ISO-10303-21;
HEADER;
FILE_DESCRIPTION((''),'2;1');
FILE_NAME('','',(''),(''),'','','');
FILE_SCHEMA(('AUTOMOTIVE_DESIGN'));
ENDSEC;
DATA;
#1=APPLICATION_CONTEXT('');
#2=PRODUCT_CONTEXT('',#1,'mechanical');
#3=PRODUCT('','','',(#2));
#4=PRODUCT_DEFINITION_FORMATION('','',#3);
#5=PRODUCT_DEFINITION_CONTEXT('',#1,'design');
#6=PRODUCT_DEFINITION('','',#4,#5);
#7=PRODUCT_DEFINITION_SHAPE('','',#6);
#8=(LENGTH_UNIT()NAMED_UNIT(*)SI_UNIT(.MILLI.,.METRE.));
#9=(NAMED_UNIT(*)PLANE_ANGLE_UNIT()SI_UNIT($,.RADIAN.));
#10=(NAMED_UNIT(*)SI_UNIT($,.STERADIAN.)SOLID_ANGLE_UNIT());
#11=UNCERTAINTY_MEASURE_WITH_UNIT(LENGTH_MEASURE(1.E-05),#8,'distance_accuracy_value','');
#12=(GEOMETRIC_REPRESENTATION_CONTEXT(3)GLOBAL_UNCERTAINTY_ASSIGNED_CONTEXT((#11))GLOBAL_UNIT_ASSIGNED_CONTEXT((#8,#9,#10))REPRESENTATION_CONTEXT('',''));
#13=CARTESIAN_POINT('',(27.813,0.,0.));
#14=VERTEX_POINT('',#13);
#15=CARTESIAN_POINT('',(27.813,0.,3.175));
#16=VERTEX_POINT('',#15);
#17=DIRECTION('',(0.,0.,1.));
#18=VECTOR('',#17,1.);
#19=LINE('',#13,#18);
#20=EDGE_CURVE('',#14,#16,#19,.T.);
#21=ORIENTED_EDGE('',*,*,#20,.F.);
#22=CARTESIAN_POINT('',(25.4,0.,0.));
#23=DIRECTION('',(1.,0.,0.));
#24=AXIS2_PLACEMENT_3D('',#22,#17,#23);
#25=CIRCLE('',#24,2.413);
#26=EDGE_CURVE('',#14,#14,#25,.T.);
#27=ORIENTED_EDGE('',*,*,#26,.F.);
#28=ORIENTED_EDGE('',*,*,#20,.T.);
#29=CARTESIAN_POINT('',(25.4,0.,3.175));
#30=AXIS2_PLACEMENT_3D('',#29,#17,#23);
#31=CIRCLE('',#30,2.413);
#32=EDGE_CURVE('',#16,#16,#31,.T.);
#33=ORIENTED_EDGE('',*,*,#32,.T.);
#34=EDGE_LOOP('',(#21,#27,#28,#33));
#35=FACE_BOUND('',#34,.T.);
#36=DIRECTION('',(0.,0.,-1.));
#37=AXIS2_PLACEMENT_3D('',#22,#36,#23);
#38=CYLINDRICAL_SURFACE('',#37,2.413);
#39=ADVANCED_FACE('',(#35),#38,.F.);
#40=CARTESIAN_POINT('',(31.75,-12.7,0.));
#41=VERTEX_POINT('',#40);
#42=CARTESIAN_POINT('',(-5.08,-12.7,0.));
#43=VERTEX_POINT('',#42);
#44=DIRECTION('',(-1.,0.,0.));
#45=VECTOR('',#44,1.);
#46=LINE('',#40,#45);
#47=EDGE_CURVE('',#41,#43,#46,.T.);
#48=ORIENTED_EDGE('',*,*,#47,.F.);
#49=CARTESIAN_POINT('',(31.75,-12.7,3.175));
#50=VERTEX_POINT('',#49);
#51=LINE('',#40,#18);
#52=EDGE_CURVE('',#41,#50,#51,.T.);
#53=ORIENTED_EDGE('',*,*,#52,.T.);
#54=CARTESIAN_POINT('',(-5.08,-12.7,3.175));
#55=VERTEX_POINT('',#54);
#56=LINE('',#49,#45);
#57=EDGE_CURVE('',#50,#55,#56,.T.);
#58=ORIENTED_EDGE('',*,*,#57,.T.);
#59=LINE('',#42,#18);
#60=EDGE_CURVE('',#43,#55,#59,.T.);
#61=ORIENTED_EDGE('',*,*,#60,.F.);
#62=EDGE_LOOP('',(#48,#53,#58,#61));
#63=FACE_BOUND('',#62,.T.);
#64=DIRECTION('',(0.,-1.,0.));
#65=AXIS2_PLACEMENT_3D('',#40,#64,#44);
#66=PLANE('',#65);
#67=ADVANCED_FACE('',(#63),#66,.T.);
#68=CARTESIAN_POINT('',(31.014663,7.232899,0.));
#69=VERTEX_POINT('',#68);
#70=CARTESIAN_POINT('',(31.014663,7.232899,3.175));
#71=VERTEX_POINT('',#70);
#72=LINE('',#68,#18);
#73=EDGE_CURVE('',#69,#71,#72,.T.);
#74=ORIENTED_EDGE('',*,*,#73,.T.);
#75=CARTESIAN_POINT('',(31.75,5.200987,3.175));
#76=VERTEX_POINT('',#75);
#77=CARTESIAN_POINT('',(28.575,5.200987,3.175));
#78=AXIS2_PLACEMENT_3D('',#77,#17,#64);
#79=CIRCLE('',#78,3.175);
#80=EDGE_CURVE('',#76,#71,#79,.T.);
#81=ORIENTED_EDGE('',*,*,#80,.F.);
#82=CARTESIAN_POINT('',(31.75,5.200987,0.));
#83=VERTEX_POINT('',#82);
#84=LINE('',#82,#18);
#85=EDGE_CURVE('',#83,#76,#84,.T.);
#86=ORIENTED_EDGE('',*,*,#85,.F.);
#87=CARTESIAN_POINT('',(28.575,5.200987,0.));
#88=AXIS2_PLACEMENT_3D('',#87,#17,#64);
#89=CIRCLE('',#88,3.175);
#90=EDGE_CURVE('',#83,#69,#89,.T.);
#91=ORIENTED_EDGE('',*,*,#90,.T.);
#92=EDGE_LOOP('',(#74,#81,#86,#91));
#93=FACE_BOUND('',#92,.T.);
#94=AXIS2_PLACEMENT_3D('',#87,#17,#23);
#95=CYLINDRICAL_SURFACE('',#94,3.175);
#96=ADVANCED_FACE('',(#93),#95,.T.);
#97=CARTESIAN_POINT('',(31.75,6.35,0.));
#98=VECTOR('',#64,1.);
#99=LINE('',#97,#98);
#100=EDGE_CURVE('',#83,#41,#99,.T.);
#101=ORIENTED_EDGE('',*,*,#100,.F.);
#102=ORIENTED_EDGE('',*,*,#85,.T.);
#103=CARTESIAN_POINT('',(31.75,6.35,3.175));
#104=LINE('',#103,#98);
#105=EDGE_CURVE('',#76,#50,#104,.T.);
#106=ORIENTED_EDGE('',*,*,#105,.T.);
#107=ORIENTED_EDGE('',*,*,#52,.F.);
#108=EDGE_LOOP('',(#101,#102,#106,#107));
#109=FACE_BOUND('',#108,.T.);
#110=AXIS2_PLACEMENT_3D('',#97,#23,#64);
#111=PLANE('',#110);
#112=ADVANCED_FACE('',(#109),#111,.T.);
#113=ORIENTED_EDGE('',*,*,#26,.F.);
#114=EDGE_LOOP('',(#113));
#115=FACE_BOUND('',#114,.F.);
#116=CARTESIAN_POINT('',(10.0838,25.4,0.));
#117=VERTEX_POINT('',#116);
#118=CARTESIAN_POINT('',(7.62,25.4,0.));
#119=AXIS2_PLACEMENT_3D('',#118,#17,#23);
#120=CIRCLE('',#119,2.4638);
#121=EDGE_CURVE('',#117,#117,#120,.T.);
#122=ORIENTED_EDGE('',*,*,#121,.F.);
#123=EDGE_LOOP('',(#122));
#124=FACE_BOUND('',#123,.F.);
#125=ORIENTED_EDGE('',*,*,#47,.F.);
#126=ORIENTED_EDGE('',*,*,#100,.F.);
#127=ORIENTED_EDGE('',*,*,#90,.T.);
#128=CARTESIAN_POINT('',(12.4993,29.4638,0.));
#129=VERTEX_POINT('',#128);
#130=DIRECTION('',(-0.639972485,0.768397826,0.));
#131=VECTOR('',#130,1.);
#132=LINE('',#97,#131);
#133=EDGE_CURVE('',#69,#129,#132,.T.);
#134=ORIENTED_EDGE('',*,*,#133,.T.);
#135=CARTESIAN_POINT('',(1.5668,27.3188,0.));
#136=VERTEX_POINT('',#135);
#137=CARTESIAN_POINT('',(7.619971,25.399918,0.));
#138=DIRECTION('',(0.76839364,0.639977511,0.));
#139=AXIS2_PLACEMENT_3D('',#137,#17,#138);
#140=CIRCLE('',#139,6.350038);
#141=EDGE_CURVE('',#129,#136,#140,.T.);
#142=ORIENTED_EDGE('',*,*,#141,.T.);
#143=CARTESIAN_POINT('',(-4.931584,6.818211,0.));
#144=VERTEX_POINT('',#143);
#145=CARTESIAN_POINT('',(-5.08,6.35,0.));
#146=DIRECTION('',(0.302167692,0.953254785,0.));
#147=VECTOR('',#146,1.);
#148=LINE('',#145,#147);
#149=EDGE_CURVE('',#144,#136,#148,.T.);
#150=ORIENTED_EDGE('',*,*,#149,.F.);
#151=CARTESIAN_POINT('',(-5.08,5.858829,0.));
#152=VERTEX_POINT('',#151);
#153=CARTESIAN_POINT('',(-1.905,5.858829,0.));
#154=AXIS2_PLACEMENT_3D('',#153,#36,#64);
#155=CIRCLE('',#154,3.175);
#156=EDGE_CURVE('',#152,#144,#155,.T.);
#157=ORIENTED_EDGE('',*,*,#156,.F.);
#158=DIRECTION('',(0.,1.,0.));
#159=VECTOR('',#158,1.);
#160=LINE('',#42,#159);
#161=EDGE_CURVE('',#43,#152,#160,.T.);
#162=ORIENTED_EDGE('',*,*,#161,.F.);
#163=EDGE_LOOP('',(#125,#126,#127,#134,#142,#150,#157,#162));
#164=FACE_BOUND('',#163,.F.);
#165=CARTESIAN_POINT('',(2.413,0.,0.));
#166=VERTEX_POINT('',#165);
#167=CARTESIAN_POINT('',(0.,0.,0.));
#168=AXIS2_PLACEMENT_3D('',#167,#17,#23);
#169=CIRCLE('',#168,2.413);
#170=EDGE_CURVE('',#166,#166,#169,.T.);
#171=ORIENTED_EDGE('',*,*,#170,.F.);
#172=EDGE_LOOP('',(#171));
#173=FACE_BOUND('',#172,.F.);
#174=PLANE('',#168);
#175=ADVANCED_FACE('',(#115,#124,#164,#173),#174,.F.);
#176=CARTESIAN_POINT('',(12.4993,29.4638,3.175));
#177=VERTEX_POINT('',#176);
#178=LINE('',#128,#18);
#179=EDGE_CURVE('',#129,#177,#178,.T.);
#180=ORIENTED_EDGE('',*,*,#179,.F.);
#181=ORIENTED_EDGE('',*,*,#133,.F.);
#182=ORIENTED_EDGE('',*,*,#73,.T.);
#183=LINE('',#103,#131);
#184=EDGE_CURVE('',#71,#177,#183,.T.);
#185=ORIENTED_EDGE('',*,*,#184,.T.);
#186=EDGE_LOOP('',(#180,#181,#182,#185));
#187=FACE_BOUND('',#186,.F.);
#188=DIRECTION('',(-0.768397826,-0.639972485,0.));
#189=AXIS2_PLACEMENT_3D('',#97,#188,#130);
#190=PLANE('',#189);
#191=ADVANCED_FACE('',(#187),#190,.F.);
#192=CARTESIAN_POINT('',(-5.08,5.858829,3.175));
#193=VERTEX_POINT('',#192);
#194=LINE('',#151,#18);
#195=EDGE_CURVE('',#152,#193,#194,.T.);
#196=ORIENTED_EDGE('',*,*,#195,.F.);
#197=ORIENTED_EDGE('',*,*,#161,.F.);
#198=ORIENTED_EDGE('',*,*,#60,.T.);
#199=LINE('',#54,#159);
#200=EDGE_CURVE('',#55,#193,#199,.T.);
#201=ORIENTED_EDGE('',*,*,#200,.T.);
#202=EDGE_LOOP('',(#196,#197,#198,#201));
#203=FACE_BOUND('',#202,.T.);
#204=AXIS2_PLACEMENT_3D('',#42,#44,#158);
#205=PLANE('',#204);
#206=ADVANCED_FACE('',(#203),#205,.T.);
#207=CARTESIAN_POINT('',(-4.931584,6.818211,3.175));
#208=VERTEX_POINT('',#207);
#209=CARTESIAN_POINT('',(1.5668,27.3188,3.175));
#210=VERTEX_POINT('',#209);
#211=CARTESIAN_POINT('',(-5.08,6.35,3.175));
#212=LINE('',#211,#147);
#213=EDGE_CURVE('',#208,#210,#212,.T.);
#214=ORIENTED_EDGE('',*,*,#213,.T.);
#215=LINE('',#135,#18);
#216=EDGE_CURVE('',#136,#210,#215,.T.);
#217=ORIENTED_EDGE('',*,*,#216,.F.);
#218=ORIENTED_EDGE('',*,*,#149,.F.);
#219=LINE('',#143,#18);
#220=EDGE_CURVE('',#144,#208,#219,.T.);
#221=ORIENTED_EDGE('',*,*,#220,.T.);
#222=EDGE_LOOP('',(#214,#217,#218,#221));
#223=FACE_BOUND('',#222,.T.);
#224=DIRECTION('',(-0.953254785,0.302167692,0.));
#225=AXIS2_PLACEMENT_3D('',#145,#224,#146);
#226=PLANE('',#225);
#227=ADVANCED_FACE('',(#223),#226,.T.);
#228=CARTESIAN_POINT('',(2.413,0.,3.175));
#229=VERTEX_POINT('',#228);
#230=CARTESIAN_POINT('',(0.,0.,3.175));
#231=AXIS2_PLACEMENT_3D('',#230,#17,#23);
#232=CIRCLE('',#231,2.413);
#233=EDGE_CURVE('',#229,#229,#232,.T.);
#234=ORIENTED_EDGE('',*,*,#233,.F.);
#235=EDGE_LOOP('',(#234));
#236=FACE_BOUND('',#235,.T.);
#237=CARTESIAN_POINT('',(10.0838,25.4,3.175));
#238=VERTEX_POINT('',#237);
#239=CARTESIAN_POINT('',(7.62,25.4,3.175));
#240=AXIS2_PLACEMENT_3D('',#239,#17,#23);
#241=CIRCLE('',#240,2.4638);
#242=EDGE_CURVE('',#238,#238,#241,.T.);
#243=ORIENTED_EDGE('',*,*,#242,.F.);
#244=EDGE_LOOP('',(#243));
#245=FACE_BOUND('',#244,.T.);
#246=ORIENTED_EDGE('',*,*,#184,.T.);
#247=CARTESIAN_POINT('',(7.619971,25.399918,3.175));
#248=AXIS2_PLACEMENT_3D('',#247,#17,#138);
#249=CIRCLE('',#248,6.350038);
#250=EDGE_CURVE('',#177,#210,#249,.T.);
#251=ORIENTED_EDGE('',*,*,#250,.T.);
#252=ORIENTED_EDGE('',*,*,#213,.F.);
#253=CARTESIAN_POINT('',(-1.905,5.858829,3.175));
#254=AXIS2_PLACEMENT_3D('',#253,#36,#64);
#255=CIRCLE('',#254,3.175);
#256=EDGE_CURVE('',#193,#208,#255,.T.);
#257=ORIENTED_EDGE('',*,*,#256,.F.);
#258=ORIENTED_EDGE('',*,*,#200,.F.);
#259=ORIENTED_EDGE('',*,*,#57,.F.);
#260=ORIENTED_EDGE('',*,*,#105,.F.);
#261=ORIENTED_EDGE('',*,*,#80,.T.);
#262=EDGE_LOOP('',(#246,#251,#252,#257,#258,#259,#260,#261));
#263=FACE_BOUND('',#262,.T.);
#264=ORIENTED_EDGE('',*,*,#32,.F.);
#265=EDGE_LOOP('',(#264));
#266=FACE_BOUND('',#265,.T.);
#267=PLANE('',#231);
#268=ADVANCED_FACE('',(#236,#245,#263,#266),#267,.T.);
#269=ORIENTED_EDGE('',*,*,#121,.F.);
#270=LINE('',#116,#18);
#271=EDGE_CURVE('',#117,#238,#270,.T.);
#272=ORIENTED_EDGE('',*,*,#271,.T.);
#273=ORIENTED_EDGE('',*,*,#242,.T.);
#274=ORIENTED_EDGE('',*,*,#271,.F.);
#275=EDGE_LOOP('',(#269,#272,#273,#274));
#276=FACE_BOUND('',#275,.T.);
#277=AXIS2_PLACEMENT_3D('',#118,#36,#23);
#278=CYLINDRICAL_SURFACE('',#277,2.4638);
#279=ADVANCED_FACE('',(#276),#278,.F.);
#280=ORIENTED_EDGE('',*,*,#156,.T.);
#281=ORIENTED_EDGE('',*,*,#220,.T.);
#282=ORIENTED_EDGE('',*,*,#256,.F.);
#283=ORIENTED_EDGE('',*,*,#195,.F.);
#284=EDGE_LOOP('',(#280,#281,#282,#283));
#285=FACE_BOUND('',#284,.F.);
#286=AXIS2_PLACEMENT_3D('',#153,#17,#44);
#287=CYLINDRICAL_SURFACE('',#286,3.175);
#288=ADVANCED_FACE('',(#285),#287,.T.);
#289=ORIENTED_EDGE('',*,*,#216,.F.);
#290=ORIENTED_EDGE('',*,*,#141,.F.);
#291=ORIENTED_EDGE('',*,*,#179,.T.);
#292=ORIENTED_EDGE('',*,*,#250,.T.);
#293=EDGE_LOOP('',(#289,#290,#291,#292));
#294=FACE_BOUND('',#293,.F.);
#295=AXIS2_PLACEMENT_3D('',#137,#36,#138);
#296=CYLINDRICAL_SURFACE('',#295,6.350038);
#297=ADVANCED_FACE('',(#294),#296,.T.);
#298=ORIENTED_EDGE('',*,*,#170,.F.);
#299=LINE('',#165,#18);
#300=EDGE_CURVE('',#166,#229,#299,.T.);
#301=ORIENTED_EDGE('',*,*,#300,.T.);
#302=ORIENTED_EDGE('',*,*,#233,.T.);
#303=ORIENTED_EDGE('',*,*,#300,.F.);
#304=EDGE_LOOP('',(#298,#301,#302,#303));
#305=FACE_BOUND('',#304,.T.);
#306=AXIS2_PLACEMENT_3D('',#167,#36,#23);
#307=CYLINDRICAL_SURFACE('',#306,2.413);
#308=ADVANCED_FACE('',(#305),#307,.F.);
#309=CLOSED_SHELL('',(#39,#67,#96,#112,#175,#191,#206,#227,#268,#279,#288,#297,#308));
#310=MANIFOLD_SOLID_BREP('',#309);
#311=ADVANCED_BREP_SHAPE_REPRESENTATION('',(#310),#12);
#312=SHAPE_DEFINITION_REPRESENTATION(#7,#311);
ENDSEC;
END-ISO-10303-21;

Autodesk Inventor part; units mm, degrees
ref_plane "YZ Plane" through (0, 0, 0) normal (1, 0, 0) x (0, 1, 0)
ref_plane "XZ Plane" through (0, 0, 0) normal (0, 1, 0) x (-1, 0, 0)
ref_plane "XY Plane" through (0, 0, 0) normal (0, 0, 1) x (1, 0, 0)
sketch "Sketch1" plane through (0, 0, 0) normal (0, 0, 1) x (1, 0, 0)
  circle A0 centre (0, 0) radius 2.413
  circle A1 centre (25.4, 0) radius 2.413
  line L0 (25.4, 0) -> (0, 0) construction
  line L1 (-5.08, 6.35) -> (31.75, 6.35) construction
  line L2 (31.75, 6.35) -> (31.75, -12.7)
  line L3 (31.75, -12.7) -> (-5.08, -12.7)
  line L4 (-5.08, -12.7) -> (-5.08, 6.35)
  line L5 (-5.08, 6.35) -> (1.5668, 27.3188)
  line L6 (31.75, 6.35) -> (12.4993, 29.4638)
  circle A2 centre (7.62, 25.4) radius 2.4638
  arc A3 (12.4993, 29.4638) -> (1.5668, 27.3188) centre (7.62, 25.4) ccw
  line L7 (-5.08, -12.7) -> (-5.08, 6.35)
  line L8 (-5.08, -12.7) -> (31.75, -12.7)
  line L9 (31.75, -12.7) -> (31.75, 6.35)
  line L10 (31.75, 6.35) -> (12.4993, 29.4638)
  dimension "d1" = 4.826
  dimension "d5" = 12.7
  dimension "d6" = 6.35
  dimension "d7" = 5.08
  dimension "d9" = 6.35
  dimension "d10" = 25.4
  dimension "d14" = 12.7
  dimension "d15" = 19.05
  dimension "d16" = 4.9276
  dimension "d17" = 6.35
extrude "Extrusion1" add sketch "Sketch1" along normal blind 3.175
fillet "Fillet1" radius 3.175 2 edges at (31.75, 6.35, 1.5875) (-5.08, 6.35, 1.5875)
properties part number "Bracket" material "Aluminum 6061"
